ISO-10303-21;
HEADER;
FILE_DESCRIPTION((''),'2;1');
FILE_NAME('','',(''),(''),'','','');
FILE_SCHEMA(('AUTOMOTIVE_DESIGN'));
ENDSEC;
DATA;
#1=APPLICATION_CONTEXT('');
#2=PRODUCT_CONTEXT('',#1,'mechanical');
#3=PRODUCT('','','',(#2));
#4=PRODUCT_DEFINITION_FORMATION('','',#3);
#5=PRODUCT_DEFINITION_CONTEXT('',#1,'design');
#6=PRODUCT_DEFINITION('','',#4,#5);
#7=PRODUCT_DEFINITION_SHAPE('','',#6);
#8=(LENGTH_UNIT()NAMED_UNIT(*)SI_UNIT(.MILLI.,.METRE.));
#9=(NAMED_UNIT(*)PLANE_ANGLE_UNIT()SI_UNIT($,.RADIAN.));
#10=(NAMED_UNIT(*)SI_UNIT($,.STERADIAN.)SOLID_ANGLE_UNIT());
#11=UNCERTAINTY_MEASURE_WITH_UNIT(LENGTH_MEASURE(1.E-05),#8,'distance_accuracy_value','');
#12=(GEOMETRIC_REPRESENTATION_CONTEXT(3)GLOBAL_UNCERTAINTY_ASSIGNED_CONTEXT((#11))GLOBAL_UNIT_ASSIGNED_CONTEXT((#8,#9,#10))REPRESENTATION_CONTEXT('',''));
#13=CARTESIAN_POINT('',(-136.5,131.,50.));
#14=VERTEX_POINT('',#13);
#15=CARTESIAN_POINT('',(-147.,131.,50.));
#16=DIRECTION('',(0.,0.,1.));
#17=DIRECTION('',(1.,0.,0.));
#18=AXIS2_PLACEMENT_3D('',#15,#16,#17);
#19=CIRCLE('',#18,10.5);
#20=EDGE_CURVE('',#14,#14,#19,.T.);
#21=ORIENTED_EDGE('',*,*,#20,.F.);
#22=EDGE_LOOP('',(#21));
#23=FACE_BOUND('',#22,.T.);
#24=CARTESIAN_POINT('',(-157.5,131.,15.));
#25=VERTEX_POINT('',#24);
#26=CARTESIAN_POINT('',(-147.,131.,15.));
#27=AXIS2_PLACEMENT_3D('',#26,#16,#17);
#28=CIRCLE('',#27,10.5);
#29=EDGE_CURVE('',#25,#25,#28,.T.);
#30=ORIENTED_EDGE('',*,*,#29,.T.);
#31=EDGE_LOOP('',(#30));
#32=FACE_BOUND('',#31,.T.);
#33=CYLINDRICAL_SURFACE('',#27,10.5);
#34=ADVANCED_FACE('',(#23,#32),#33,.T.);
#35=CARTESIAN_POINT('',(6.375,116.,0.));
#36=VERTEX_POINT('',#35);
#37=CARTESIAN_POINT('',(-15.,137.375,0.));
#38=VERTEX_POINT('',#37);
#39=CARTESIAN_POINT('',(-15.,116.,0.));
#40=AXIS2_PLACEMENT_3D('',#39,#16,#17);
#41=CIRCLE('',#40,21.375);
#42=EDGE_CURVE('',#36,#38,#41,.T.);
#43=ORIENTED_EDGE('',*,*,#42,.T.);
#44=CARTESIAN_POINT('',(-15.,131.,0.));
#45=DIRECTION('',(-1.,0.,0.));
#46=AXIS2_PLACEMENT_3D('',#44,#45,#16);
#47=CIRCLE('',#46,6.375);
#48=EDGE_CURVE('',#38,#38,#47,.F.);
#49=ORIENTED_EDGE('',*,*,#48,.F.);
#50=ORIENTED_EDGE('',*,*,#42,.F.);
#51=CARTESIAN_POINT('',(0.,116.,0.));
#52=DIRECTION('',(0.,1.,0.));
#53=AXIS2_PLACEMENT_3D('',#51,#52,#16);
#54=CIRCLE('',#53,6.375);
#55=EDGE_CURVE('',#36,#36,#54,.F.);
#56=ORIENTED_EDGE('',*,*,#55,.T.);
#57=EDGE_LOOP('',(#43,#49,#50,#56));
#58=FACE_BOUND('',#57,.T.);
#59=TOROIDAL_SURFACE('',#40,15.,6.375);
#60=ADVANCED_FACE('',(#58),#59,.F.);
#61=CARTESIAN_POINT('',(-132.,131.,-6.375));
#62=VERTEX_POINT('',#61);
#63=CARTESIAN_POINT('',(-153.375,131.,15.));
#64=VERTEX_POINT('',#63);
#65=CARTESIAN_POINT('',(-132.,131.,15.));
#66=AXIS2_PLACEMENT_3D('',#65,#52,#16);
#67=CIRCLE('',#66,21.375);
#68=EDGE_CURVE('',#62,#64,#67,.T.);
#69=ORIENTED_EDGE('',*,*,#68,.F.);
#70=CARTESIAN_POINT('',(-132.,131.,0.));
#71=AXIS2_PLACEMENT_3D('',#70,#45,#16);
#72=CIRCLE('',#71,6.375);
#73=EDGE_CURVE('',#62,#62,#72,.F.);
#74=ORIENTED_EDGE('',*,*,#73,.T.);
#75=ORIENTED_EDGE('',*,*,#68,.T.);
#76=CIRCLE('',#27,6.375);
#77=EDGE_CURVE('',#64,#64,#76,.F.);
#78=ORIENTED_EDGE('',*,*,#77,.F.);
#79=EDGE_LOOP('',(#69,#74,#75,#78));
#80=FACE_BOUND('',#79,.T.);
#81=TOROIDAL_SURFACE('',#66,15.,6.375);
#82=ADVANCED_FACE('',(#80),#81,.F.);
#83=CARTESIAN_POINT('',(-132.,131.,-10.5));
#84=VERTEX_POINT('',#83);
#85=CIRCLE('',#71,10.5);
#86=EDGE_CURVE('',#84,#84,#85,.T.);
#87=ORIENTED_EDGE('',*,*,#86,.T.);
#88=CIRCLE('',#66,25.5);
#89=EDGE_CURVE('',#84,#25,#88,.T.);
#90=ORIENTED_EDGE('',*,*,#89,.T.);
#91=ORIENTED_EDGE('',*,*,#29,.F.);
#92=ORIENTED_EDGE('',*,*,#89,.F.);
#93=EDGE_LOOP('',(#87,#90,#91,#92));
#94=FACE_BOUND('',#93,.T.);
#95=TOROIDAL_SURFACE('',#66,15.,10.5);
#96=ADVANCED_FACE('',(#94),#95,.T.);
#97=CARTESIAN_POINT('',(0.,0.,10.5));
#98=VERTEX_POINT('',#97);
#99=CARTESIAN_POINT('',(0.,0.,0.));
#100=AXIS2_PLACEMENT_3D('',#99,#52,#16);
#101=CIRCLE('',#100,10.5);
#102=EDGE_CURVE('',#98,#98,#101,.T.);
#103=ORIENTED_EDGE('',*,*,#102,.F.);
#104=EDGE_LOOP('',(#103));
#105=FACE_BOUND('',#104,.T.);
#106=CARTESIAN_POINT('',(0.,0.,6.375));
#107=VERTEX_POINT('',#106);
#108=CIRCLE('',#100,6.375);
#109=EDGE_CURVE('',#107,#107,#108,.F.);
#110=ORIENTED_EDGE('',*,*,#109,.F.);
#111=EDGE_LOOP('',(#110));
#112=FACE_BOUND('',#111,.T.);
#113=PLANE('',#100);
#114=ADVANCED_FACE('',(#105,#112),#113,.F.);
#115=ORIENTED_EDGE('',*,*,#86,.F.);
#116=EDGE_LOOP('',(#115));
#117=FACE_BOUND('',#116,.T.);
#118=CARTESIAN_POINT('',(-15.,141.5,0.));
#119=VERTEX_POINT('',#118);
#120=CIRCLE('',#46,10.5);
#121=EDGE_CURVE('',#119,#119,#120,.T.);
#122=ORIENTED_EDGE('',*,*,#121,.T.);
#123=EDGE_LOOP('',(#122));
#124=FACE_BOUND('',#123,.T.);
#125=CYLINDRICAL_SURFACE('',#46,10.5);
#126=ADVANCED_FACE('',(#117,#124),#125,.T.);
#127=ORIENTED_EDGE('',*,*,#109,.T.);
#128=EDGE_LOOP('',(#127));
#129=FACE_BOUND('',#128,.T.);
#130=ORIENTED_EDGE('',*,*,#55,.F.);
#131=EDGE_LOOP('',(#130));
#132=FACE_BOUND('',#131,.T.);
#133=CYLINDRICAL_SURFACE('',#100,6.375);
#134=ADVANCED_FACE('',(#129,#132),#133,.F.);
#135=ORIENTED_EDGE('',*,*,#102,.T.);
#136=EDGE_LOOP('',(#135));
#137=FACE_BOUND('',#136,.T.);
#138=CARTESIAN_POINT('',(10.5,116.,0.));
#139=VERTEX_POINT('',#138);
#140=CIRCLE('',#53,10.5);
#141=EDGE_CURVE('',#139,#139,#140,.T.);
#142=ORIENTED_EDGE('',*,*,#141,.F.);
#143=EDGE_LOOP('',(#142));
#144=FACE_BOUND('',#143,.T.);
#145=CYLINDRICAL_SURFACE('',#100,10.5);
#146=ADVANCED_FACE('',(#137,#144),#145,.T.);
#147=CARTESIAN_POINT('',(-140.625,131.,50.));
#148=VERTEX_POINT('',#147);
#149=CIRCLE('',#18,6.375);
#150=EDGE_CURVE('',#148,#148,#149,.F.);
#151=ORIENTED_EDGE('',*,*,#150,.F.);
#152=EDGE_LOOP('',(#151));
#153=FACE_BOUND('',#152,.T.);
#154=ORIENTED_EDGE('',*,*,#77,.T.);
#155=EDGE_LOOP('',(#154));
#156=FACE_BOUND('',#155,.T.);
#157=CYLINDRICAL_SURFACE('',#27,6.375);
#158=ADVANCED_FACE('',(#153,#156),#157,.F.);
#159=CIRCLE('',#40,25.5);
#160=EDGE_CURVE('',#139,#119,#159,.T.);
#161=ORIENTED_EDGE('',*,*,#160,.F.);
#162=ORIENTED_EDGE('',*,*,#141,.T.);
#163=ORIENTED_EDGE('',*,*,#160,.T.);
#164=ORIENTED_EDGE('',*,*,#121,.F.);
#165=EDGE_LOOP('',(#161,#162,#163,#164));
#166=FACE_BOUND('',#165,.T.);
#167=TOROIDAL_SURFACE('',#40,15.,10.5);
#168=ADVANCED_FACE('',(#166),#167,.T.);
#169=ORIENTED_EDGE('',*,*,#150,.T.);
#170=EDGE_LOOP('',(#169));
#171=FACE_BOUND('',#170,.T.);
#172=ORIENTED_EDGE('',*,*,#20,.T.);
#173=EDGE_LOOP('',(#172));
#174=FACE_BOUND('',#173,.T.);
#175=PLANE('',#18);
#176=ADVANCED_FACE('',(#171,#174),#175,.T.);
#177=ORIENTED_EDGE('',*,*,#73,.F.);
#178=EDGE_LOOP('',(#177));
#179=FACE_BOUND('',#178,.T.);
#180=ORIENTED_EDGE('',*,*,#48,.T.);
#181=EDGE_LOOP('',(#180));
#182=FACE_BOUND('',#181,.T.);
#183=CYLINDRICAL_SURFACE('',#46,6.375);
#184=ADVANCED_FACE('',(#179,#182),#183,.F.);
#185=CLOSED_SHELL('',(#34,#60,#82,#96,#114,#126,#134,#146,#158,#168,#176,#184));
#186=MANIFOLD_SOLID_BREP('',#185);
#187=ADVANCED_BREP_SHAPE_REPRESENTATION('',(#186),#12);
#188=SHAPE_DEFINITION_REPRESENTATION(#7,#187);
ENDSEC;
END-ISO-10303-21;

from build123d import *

# Parameters (mm, degrees)
SKETCH1_R   = 10.5
SKETCH1_R_2 = 6.375


with BuildPart() as part:
    # Sweep1: sweep along a curve in space
    with BuildLine() as sweep1_path:
        Line((0, 0, 0), (0, 116, 0))
        ThreePointArc((0, 116, 0), (-4.393398282, 126.606601718, 0), (-15, 131, 0))
        Line((-15, 131, 0), (-132, 131, 0))
        ThreePointArc((-132, 131, 0), (-142.606601718, 131, 4.393398282), (-147, 131, 15))
        Line((-147, 131, 15), (-147, 131, 50))
    # Sketch1 → Sweep1 (sweep)
    with BuildSketch(Plane(origin=(0, 0, 0), x_dir=(1, 0, 0), z_dir=(0, 1, 0))):
        Circle(SKETCH1_R)
        Circle(SKETCH1_R_2, mode=Mode.SUBTRACT)
    sweep(path=sweep1_path.line)


solid = part.part
